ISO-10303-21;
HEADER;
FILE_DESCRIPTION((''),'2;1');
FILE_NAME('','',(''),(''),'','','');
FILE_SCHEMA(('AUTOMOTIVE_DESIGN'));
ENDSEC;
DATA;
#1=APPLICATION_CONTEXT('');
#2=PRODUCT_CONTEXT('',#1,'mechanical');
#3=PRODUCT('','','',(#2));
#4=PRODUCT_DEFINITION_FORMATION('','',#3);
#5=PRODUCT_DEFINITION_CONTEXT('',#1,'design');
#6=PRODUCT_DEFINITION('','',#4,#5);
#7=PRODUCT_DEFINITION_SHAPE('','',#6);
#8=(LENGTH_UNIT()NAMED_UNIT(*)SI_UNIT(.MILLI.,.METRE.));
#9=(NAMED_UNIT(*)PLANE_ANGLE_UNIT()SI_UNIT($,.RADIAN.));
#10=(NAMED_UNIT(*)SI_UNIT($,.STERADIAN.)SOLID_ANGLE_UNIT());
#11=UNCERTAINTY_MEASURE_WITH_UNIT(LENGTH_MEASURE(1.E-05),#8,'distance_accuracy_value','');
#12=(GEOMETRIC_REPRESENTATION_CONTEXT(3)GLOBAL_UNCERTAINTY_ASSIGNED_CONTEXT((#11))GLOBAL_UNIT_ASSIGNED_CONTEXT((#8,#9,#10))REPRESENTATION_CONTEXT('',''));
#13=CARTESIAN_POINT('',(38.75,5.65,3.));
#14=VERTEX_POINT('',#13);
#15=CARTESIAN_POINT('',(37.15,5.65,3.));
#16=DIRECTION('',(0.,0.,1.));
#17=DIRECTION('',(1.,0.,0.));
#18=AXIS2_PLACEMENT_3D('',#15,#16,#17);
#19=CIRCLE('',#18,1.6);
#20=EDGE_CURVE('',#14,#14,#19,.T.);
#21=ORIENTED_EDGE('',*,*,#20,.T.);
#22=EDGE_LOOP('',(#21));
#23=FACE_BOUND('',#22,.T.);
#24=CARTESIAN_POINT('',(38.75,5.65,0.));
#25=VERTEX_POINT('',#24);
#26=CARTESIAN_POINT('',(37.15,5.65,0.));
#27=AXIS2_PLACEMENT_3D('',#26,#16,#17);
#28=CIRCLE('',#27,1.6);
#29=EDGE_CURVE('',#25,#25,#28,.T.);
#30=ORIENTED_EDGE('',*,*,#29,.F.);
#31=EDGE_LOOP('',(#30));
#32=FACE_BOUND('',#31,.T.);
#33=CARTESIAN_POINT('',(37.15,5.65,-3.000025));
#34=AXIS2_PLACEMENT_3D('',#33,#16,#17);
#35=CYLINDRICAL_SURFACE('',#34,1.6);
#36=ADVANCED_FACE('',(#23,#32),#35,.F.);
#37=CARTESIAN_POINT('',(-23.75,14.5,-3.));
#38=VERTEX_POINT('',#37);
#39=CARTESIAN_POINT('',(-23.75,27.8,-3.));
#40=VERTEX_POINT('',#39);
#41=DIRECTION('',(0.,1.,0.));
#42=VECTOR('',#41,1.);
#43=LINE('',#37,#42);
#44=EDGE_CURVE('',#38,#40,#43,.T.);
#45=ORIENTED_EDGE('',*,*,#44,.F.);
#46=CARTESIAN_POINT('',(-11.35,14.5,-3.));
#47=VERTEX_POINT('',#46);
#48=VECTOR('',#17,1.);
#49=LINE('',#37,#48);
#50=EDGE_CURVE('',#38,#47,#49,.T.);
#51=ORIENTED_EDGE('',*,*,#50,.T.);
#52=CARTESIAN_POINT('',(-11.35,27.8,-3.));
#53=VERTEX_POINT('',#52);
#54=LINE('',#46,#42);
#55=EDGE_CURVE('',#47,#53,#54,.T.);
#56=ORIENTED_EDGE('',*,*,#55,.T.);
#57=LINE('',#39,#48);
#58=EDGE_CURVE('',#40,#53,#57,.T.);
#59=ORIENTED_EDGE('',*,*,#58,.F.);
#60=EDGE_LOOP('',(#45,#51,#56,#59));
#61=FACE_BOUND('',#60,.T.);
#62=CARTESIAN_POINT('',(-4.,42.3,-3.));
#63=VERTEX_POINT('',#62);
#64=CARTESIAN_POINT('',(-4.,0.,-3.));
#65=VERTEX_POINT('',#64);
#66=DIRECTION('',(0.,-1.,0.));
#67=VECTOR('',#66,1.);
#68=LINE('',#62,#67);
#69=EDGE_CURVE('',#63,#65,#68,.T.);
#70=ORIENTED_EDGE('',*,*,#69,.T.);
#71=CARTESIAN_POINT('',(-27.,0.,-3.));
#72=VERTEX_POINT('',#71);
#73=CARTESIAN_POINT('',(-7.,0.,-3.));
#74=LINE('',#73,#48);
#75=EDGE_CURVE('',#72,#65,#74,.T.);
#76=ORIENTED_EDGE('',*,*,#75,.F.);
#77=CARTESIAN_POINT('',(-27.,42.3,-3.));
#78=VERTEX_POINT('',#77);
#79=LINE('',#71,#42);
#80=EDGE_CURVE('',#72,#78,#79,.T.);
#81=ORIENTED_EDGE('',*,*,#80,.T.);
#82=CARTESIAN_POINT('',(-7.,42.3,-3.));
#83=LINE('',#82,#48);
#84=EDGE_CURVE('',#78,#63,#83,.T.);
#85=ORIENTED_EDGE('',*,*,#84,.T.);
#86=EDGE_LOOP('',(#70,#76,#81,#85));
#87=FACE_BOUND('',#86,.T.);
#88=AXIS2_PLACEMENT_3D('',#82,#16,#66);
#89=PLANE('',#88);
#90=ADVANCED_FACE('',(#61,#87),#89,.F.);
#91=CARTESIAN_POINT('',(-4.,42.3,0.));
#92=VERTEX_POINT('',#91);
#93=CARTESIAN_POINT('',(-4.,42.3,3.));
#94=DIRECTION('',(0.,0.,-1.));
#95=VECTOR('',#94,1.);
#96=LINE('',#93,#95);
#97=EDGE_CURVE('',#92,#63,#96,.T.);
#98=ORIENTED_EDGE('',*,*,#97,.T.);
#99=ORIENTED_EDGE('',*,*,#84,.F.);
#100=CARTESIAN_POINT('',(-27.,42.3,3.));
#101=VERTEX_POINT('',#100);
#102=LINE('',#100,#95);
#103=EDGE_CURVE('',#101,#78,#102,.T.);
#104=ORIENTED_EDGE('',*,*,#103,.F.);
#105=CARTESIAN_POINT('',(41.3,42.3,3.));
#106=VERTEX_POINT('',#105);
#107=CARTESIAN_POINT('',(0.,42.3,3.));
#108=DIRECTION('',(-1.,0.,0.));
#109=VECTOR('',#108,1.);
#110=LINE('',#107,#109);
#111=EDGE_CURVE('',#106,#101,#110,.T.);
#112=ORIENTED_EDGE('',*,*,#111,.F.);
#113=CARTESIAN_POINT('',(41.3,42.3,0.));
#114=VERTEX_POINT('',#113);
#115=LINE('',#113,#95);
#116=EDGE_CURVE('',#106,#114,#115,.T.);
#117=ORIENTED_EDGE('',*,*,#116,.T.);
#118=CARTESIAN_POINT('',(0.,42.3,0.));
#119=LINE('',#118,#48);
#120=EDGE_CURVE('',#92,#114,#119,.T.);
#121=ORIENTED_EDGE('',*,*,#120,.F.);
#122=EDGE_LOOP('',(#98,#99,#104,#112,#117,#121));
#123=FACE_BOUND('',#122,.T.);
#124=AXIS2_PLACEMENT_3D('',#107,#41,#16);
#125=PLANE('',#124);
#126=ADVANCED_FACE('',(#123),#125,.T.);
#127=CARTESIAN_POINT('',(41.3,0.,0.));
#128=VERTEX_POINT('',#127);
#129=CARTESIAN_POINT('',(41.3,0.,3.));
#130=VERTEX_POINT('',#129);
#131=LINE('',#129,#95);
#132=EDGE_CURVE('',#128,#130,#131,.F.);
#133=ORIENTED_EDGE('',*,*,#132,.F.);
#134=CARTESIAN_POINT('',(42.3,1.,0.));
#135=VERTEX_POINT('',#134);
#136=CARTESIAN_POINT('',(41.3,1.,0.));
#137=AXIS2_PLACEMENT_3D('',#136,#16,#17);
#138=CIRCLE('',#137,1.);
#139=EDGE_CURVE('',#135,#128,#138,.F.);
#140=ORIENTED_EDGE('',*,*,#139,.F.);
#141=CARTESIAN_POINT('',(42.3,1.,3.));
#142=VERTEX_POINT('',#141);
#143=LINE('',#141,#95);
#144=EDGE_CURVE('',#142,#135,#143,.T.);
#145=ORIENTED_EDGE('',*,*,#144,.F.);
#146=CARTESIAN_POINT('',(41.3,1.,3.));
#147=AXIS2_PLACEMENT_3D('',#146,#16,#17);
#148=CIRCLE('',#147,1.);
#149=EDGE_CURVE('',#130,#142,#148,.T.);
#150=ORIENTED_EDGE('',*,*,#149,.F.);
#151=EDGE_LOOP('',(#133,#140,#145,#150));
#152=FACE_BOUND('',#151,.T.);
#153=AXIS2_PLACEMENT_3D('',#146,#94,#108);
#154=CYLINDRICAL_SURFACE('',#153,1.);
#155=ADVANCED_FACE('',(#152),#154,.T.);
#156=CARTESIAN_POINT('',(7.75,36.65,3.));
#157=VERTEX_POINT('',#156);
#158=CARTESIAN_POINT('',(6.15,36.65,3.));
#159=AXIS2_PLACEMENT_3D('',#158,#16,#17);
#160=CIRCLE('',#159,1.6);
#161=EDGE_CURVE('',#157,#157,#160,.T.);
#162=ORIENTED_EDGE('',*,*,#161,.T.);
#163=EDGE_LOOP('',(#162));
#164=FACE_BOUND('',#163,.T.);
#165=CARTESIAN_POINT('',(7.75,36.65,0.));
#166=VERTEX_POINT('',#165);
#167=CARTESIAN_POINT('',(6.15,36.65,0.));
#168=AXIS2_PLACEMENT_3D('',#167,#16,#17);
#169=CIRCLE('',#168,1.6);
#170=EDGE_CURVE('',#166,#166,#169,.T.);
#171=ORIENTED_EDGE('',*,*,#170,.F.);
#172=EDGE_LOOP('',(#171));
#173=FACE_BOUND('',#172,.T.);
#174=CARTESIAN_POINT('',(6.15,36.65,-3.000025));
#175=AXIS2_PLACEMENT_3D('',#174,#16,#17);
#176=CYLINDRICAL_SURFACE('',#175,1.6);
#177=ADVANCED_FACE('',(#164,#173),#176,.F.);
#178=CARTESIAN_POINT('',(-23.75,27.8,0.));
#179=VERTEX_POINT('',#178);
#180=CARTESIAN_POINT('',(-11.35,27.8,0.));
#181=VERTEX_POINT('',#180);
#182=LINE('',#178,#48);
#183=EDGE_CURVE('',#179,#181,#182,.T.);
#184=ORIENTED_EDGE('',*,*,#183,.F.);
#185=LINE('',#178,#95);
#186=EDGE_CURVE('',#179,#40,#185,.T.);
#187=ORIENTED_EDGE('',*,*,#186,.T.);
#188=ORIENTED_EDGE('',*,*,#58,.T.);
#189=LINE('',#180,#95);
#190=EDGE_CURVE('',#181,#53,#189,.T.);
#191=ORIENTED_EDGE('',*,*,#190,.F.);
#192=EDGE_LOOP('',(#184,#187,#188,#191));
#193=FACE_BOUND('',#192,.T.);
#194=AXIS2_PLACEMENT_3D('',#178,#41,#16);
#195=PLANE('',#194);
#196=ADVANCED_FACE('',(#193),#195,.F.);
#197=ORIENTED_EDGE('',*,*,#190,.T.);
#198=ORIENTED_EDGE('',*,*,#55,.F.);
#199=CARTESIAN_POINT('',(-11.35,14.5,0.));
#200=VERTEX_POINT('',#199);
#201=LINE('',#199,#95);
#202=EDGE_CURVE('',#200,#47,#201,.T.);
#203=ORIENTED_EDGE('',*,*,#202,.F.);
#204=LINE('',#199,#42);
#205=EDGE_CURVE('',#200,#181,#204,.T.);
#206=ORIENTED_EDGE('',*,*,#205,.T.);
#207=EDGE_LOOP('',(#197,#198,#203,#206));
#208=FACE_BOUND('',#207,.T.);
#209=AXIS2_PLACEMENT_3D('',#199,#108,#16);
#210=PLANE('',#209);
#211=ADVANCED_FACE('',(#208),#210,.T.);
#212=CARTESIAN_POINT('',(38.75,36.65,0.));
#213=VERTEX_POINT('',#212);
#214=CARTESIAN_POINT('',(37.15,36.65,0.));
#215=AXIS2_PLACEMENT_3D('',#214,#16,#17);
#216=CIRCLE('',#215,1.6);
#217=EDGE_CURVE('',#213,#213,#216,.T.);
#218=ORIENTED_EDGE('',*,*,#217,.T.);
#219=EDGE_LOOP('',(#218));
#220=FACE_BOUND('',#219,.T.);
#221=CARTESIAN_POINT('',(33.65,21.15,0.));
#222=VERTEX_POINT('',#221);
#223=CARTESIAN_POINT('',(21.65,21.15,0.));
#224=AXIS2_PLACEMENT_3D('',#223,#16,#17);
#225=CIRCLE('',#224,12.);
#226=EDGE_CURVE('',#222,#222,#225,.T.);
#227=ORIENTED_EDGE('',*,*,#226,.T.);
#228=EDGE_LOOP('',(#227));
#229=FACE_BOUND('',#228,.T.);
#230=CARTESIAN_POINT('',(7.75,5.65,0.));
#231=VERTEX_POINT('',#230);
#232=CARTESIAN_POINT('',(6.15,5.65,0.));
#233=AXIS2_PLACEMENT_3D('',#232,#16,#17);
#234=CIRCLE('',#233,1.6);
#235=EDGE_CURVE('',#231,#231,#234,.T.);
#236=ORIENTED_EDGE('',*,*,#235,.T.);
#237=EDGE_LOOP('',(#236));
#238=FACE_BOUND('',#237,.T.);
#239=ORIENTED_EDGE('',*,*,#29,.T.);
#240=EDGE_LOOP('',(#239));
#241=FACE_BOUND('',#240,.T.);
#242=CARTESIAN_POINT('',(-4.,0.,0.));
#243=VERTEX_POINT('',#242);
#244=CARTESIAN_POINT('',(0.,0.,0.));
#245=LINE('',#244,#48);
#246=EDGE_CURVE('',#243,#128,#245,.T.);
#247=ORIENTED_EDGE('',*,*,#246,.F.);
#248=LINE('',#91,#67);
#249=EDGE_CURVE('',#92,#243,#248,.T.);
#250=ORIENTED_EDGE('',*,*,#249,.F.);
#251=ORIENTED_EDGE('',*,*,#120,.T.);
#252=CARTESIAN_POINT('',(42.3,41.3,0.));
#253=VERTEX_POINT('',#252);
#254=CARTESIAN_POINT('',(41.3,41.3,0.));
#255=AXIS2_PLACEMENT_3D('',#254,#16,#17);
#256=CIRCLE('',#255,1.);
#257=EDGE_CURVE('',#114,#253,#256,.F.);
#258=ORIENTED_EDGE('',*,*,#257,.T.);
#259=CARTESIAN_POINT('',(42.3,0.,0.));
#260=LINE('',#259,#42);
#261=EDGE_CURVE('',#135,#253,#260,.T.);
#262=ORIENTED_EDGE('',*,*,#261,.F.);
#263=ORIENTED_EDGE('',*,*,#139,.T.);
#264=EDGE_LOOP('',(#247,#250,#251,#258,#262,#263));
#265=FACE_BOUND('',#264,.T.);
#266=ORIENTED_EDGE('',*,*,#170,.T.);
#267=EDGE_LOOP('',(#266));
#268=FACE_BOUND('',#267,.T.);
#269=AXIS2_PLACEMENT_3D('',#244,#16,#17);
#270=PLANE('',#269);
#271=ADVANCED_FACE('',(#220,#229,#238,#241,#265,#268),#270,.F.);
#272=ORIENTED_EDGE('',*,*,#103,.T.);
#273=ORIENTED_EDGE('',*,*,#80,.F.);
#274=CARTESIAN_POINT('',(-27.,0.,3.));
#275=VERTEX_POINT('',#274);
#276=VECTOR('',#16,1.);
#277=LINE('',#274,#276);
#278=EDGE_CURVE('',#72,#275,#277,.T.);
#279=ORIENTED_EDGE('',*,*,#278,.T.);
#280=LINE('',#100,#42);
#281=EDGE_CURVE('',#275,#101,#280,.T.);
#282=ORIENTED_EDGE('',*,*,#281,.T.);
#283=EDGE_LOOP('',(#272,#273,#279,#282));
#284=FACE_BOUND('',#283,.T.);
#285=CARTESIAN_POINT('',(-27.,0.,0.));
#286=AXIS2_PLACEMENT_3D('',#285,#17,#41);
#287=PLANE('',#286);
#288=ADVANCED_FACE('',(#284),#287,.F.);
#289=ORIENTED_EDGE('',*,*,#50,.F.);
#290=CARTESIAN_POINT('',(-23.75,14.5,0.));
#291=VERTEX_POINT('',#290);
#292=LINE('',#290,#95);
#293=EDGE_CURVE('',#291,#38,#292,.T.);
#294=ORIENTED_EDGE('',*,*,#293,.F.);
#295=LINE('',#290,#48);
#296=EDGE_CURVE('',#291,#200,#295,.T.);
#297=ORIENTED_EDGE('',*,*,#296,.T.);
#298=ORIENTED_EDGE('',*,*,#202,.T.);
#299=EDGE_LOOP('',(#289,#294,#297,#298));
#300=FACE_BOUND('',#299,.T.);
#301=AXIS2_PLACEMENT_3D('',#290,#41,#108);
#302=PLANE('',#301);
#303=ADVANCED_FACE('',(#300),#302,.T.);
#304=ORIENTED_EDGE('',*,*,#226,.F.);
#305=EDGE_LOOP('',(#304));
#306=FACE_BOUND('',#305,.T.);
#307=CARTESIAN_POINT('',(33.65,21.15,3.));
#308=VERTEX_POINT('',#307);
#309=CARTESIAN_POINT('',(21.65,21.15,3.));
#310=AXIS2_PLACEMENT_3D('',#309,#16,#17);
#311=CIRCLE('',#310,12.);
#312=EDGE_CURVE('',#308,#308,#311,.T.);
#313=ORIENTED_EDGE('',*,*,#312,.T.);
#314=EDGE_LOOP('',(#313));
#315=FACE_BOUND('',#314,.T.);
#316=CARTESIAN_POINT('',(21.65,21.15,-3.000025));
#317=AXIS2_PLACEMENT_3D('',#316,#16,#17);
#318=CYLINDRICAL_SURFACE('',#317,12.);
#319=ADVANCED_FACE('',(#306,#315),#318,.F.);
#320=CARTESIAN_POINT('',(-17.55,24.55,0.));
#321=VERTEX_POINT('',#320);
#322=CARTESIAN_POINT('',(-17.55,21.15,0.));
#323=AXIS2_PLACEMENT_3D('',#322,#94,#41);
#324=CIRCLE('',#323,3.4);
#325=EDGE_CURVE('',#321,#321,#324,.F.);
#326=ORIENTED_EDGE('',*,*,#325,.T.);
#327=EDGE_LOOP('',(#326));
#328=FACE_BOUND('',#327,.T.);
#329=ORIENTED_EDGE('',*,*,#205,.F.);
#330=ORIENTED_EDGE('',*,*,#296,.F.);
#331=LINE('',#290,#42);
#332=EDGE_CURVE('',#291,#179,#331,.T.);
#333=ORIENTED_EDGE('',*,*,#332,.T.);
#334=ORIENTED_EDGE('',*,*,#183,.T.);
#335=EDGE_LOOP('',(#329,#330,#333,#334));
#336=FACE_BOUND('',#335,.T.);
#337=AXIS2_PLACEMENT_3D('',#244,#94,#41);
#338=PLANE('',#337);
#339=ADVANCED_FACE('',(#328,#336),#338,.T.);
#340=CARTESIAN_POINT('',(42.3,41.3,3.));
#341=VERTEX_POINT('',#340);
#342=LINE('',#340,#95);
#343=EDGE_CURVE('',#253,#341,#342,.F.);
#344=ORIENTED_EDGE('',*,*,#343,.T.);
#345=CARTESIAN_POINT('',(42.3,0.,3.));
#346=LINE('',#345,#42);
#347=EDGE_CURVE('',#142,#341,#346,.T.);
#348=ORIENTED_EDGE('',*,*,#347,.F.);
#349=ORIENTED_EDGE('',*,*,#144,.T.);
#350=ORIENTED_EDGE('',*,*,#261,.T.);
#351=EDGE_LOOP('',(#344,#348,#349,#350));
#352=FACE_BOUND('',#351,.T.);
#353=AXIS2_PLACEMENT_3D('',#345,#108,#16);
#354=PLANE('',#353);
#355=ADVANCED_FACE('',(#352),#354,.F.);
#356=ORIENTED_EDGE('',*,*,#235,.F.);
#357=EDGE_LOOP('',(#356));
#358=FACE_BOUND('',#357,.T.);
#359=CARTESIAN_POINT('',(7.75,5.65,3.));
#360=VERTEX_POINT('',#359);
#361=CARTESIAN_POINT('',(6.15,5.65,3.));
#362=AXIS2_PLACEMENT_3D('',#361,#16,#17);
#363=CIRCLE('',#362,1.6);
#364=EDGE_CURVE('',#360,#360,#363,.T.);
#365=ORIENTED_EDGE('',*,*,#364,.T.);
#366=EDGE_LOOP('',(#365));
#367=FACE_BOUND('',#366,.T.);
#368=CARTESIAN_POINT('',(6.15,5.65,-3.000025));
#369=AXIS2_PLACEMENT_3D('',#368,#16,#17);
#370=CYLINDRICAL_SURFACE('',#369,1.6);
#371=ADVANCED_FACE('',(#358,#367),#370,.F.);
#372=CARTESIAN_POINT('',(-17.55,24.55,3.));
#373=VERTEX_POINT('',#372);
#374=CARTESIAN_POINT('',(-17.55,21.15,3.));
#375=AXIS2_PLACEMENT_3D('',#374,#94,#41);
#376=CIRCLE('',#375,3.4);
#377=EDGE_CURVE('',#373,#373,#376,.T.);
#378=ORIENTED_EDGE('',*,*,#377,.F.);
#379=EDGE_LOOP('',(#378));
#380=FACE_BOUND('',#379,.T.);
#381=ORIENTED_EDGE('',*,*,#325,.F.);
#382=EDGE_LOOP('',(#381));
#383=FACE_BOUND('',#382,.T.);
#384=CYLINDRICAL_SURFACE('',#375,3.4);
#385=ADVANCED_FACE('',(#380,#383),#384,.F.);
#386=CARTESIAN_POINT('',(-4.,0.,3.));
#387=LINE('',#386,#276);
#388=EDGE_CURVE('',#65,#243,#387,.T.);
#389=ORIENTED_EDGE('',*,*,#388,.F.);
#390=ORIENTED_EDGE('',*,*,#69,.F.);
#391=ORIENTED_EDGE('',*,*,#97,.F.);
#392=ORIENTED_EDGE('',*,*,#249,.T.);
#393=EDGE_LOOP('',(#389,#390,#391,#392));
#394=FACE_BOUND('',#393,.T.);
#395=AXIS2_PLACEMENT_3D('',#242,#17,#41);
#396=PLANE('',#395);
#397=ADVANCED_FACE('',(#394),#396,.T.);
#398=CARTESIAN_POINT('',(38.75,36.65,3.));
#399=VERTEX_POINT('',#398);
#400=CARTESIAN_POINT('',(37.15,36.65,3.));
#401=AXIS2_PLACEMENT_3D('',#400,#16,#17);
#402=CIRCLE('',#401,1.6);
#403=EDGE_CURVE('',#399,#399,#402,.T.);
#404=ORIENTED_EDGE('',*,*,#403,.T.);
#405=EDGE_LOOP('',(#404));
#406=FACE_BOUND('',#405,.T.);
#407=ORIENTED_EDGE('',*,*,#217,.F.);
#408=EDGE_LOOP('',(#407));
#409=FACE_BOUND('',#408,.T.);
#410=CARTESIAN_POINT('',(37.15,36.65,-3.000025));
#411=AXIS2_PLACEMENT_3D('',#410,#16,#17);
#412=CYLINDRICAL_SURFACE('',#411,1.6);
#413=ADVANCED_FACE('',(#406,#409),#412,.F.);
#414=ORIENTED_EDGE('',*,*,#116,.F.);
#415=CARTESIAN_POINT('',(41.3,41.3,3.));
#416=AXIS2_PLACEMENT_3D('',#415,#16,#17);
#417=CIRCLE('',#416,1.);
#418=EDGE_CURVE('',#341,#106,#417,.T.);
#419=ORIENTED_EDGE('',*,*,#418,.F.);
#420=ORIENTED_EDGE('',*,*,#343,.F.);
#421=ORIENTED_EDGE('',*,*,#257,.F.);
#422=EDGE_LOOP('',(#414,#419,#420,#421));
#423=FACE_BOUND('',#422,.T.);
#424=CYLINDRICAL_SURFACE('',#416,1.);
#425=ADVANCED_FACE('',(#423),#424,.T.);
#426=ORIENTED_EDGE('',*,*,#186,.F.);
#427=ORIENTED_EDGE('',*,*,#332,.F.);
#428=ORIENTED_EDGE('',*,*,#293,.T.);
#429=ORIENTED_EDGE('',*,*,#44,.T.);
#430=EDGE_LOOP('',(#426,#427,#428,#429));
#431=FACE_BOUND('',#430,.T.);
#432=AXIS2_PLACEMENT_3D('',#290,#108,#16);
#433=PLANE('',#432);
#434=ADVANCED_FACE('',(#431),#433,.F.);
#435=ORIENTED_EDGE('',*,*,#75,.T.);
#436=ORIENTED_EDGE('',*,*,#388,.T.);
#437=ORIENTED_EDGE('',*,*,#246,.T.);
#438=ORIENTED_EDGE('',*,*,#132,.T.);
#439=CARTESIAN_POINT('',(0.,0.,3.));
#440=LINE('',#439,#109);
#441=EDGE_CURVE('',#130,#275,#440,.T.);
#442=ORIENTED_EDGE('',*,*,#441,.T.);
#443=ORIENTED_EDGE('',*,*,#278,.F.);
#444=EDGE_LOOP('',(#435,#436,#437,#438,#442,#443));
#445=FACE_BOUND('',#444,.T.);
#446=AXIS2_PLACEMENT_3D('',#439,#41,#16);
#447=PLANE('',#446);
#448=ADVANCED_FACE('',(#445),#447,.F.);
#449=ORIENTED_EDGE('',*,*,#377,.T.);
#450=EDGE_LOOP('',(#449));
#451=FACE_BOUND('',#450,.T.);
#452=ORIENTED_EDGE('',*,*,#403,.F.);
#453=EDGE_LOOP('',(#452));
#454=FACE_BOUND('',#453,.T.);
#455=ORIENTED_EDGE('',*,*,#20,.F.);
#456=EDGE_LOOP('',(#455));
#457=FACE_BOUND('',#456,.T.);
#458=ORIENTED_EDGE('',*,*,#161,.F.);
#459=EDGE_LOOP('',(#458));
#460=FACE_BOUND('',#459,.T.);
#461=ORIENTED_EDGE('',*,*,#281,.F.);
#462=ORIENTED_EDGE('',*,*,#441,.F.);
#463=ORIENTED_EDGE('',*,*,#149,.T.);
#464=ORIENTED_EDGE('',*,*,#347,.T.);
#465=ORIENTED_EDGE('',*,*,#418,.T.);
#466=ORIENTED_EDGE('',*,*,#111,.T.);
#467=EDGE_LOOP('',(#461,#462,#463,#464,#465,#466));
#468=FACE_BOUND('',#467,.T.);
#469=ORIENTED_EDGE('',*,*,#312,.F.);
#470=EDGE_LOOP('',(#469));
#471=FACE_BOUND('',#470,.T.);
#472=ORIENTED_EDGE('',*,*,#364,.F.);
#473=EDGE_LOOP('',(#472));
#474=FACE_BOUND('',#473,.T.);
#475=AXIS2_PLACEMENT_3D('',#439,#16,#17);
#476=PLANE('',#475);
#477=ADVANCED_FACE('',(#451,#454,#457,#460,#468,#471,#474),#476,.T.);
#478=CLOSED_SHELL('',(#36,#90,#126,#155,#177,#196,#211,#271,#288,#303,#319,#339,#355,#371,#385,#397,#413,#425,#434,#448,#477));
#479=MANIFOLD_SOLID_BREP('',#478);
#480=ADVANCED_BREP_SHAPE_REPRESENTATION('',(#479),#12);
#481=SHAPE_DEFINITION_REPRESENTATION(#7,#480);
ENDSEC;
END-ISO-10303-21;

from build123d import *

# Parameters (mm, degrees)
BOSS_EXTRUDE4_DEPTH = 3
SKETCH10_W          = 6
SKETCH10_H          = 42.3
BOSS_EXTRUDE5_DEPTH = 3
SKETCH11_R          = 12
SKETCH11_R_2        = 1.6
CUT_EXTRUDE1_DEPTH  = 7
SKETCH15_W          = 3
SKETCH15_H          = 42.3
BOSS_EXTRUDE8_DEPTH = 20
FILLET5_R           = 1
SKETCH16_R          = 3.4
CUT_EXTRUDE5_DEPTH  = 4
SKETCH23_W          = 20
SKETCH23_H          = 42.3
BOSS_EXTRUDE9_DEPTH = 3
SKETCH26_W          = 12.4
SKETCH26_H          = 13.3
CUT_EXTRUDE7_DEPTH  = 3


with BuildPart() as part:
    # Sketch3 → Boss-Extrude4 (new body)
    with BuildSketch(Plane.XY):
        Polygon((0, 0), (42.3, 0), (42.3, 42.3), (0, 42.3), (-4, 42.3), (-4, 0), align=None)
    extrude(amount=BOSS_EXTRUDE4_DEPTH)

    # Sketch10 → Boss-Extrude5 (add)
    with BuildSketch(Plane.ZY.offset(4)):
        with Locations((0, 21.15)):
            Rectangle(SKETCH10_W, SKETCH10_H)
    extrude(amount=BOSS_EXTRUDE5_DEPTH)

    # Sketch11 → Cut-Extrude1 (cut, through all)
    with BuildSketch(Plane.XY.offset(3)):
        with Locations((21.65, 21.15)):
            Circle(SKETCH11_R)
        with Locations((6.15, 36.65)):
            Circle(SKETCH11_R_2)
        with Locations((37.15, 36.65)):
            Circle(SKETCH11_R_2)
        with Locations((37.15, 5.65)):
            Circle(SKETCH11_R_2)
        with Locations((6.15, 5.65)):
            Circle(SKETCH11_R_2)
    extrude(amount=-CUT_EXTRUDE1_DEPTH, mode=Mode.SUBTRACT)

    # Sketch15 → Boss-Extrude8 (add)
    with BuildSketch(Plane.ZY.offset(7)):
        with Locations((1.5, 21.15)):
            Rectangle(SKETCH15_W, SKETCH15_H)
    extrude(amount=BOSS_EXTRUDE8_DEPTH)

    # Fillet5
    fillet5_edges = [part.edges().sort_by_distance(p)[0] for p in [
        (42.3, 0, 1.5),
        (42.3, 42.3, 1.5),
    ]]
    fillet(fillet5_edges, radius=FILLET5_R)

    # Sketch16 → Cut-Extrude5 (cut, through all)
    with BuildSketch(Plane(origin=(0, 0, 0), x_dir=(-1, 0, 0), z_dir=(0, 0, -1))):
        with Locations((17.55, 21.15)):
            Circle(SKETCH16_R)
    extrude(amount=-CUT_EXTRUDE5_DEPTH, mode=Mode.SUBTRACT)

    # Sketch23 → Boss-Extrude9 (add)
    with BuildSketch(Plane(origin=(0, 0, 0), x_dir=(-1, 0, 0), z_dir=(0, 0, -1))):
        with Locations((17, 21.15)):
            Rectangle(SKETCH23_W, SKETCH23_H)
    extrude(amount=BOSS_EXTRUDE9_DEPTH)

    # Sketch26 → Cut-Extrude7 (cut)
    with BuildSketch(Plane(origin=(0, 0, -3), x_dir=(-1, 0, 0), z_dir=(0, 0, -1))):
        with Locations((17.55, 21.15)):
            Rectangle(SKETCH26_W, SKETCH26_H)
    extrude(amount=-CUT_EXTRUDE7_DEPTH, mode=Mode.SUBTRACT)


solid = part.part
